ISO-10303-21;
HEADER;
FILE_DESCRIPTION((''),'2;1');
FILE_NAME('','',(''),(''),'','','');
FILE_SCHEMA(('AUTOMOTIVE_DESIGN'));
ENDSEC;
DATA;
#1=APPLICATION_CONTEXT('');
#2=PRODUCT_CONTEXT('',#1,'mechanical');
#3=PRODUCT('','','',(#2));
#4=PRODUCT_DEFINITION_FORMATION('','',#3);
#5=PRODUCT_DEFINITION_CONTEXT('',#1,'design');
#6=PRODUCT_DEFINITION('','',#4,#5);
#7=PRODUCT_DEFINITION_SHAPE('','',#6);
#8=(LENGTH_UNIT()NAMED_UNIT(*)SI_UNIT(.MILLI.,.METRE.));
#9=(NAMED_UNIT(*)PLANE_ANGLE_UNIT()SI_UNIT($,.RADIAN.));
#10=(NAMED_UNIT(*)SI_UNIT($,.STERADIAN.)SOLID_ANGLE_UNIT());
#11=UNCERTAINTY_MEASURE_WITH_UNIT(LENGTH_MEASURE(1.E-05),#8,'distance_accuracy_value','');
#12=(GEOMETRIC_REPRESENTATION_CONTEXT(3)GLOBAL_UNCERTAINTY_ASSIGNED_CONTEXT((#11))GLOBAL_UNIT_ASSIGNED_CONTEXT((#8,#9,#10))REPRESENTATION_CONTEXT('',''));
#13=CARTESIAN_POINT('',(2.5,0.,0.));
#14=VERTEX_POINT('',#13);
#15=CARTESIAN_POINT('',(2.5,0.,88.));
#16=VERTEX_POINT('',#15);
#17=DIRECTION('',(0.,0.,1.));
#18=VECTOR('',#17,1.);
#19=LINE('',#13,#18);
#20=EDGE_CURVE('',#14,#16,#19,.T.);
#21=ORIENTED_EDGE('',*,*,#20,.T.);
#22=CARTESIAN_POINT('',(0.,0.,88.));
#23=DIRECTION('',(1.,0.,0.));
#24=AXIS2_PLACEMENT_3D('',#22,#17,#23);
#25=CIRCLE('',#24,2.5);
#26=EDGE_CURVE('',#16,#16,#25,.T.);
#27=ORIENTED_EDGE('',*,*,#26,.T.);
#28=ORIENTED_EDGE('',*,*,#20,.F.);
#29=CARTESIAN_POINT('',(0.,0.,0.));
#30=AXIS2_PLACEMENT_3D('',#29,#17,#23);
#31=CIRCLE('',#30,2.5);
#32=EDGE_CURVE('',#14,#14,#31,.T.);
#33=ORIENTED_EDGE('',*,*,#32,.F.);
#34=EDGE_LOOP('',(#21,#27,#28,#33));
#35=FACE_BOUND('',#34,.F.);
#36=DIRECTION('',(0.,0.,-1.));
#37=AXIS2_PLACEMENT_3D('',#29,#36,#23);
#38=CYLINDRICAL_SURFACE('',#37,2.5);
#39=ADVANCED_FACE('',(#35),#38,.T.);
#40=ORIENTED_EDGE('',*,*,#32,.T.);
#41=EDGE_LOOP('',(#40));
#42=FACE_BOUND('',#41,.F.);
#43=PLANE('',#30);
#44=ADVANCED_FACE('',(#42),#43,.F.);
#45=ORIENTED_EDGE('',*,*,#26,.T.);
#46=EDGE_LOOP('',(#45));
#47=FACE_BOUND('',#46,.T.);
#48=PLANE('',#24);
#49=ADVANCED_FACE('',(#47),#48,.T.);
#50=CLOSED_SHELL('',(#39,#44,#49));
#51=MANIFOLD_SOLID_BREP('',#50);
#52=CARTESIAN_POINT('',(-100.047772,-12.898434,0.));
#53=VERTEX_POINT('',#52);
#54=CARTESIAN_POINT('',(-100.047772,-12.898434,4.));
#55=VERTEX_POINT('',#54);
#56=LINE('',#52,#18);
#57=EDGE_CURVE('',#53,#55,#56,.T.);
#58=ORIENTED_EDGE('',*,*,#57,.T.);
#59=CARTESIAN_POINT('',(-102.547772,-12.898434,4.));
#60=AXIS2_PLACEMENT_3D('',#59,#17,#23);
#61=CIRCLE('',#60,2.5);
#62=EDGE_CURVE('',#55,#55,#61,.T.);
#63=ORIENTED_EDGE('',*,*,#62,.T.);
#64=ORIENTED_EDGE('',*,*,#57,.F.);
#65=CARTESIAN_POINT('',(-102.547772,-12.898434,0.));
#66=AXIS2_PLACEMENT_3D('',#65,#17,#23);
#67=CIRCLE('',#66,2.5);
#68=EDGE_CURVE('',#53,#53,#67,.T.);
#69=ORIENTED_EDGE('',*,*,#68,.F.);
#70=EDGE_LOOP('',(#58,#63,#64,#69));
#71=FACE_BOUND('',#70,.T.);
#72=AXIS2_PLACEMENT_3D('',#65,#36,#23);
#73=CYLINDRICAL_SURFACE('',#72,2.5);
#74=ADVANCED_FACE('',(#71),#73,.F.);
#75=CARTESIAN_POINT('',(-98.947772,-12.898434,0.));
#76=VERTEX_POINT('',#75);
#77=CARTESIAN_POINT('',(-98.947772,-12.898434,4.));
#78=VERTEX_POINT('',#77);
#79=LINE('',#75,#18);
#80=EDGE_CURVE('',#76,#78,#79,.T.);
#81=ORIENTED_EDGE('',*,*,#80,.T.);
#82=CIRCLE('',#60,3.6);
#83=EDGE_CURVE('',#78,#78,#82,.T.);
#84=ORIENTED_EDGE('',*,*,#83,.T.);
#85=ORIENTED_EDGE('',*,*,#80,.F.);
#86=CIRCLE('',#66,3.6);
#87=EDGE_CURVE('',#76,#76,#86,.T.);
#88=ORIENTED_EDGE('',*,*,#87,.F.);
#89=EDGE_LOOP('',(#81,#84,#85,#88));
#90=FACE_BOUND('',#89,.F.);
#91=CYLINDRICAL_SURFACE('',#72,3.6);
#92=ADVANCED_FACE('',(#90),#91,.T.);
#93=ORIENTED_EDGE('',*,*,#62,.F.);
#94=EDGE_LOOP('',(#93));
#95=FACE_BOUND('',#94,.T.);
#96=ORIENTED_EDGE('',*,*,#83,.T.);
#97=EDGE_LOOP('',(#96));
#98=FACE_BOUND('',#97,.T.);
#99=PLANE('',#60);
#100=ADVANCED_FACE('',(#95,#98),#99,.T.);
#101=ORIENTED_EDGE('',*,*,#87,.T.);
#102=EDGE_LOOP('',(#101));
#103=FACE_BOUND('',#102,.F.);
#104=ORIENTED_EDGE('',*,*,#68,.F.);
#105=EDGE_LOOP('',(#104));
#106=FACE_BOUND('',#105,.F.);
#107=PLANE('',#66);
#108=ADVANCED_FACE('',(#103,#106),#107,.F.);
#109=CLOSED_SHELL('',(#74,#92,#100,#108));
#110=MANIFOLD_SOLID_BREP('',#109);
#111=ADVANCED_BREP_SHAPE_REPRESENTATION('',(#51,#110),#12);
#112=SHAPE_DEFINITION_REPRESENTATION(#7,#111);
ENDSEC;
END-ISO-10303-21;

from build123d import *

# Parameters (mm, degrees)
F0_R     = 2.5
F1_DEPTH = 88
F2_R     = 3.6
F2_R_2   = 2.5
F3_DEPTH = 4


with BuildPart() as f1:
    # F0 (on Top) → F1 (new body)
    with BuildSketch(Plane.XY):
        Circle(F0_R)
    extrude(amount=F1_DEPTH)


with BuildPart() as f3:
    # F2 (on Top) → F3 (new body)
    with BuildSketch(Plane.XY):
        with Locations((-102.547772, -12.898434)):
            Circle(F2_R)
        with Locations((-102.547772, -12.898434)):
            Circle(F2_R_2, mode=Mode.SUBTRACT)
    extrude(amount=F3_DEPTH)


solid = Compound([f1.part, f3.part])
